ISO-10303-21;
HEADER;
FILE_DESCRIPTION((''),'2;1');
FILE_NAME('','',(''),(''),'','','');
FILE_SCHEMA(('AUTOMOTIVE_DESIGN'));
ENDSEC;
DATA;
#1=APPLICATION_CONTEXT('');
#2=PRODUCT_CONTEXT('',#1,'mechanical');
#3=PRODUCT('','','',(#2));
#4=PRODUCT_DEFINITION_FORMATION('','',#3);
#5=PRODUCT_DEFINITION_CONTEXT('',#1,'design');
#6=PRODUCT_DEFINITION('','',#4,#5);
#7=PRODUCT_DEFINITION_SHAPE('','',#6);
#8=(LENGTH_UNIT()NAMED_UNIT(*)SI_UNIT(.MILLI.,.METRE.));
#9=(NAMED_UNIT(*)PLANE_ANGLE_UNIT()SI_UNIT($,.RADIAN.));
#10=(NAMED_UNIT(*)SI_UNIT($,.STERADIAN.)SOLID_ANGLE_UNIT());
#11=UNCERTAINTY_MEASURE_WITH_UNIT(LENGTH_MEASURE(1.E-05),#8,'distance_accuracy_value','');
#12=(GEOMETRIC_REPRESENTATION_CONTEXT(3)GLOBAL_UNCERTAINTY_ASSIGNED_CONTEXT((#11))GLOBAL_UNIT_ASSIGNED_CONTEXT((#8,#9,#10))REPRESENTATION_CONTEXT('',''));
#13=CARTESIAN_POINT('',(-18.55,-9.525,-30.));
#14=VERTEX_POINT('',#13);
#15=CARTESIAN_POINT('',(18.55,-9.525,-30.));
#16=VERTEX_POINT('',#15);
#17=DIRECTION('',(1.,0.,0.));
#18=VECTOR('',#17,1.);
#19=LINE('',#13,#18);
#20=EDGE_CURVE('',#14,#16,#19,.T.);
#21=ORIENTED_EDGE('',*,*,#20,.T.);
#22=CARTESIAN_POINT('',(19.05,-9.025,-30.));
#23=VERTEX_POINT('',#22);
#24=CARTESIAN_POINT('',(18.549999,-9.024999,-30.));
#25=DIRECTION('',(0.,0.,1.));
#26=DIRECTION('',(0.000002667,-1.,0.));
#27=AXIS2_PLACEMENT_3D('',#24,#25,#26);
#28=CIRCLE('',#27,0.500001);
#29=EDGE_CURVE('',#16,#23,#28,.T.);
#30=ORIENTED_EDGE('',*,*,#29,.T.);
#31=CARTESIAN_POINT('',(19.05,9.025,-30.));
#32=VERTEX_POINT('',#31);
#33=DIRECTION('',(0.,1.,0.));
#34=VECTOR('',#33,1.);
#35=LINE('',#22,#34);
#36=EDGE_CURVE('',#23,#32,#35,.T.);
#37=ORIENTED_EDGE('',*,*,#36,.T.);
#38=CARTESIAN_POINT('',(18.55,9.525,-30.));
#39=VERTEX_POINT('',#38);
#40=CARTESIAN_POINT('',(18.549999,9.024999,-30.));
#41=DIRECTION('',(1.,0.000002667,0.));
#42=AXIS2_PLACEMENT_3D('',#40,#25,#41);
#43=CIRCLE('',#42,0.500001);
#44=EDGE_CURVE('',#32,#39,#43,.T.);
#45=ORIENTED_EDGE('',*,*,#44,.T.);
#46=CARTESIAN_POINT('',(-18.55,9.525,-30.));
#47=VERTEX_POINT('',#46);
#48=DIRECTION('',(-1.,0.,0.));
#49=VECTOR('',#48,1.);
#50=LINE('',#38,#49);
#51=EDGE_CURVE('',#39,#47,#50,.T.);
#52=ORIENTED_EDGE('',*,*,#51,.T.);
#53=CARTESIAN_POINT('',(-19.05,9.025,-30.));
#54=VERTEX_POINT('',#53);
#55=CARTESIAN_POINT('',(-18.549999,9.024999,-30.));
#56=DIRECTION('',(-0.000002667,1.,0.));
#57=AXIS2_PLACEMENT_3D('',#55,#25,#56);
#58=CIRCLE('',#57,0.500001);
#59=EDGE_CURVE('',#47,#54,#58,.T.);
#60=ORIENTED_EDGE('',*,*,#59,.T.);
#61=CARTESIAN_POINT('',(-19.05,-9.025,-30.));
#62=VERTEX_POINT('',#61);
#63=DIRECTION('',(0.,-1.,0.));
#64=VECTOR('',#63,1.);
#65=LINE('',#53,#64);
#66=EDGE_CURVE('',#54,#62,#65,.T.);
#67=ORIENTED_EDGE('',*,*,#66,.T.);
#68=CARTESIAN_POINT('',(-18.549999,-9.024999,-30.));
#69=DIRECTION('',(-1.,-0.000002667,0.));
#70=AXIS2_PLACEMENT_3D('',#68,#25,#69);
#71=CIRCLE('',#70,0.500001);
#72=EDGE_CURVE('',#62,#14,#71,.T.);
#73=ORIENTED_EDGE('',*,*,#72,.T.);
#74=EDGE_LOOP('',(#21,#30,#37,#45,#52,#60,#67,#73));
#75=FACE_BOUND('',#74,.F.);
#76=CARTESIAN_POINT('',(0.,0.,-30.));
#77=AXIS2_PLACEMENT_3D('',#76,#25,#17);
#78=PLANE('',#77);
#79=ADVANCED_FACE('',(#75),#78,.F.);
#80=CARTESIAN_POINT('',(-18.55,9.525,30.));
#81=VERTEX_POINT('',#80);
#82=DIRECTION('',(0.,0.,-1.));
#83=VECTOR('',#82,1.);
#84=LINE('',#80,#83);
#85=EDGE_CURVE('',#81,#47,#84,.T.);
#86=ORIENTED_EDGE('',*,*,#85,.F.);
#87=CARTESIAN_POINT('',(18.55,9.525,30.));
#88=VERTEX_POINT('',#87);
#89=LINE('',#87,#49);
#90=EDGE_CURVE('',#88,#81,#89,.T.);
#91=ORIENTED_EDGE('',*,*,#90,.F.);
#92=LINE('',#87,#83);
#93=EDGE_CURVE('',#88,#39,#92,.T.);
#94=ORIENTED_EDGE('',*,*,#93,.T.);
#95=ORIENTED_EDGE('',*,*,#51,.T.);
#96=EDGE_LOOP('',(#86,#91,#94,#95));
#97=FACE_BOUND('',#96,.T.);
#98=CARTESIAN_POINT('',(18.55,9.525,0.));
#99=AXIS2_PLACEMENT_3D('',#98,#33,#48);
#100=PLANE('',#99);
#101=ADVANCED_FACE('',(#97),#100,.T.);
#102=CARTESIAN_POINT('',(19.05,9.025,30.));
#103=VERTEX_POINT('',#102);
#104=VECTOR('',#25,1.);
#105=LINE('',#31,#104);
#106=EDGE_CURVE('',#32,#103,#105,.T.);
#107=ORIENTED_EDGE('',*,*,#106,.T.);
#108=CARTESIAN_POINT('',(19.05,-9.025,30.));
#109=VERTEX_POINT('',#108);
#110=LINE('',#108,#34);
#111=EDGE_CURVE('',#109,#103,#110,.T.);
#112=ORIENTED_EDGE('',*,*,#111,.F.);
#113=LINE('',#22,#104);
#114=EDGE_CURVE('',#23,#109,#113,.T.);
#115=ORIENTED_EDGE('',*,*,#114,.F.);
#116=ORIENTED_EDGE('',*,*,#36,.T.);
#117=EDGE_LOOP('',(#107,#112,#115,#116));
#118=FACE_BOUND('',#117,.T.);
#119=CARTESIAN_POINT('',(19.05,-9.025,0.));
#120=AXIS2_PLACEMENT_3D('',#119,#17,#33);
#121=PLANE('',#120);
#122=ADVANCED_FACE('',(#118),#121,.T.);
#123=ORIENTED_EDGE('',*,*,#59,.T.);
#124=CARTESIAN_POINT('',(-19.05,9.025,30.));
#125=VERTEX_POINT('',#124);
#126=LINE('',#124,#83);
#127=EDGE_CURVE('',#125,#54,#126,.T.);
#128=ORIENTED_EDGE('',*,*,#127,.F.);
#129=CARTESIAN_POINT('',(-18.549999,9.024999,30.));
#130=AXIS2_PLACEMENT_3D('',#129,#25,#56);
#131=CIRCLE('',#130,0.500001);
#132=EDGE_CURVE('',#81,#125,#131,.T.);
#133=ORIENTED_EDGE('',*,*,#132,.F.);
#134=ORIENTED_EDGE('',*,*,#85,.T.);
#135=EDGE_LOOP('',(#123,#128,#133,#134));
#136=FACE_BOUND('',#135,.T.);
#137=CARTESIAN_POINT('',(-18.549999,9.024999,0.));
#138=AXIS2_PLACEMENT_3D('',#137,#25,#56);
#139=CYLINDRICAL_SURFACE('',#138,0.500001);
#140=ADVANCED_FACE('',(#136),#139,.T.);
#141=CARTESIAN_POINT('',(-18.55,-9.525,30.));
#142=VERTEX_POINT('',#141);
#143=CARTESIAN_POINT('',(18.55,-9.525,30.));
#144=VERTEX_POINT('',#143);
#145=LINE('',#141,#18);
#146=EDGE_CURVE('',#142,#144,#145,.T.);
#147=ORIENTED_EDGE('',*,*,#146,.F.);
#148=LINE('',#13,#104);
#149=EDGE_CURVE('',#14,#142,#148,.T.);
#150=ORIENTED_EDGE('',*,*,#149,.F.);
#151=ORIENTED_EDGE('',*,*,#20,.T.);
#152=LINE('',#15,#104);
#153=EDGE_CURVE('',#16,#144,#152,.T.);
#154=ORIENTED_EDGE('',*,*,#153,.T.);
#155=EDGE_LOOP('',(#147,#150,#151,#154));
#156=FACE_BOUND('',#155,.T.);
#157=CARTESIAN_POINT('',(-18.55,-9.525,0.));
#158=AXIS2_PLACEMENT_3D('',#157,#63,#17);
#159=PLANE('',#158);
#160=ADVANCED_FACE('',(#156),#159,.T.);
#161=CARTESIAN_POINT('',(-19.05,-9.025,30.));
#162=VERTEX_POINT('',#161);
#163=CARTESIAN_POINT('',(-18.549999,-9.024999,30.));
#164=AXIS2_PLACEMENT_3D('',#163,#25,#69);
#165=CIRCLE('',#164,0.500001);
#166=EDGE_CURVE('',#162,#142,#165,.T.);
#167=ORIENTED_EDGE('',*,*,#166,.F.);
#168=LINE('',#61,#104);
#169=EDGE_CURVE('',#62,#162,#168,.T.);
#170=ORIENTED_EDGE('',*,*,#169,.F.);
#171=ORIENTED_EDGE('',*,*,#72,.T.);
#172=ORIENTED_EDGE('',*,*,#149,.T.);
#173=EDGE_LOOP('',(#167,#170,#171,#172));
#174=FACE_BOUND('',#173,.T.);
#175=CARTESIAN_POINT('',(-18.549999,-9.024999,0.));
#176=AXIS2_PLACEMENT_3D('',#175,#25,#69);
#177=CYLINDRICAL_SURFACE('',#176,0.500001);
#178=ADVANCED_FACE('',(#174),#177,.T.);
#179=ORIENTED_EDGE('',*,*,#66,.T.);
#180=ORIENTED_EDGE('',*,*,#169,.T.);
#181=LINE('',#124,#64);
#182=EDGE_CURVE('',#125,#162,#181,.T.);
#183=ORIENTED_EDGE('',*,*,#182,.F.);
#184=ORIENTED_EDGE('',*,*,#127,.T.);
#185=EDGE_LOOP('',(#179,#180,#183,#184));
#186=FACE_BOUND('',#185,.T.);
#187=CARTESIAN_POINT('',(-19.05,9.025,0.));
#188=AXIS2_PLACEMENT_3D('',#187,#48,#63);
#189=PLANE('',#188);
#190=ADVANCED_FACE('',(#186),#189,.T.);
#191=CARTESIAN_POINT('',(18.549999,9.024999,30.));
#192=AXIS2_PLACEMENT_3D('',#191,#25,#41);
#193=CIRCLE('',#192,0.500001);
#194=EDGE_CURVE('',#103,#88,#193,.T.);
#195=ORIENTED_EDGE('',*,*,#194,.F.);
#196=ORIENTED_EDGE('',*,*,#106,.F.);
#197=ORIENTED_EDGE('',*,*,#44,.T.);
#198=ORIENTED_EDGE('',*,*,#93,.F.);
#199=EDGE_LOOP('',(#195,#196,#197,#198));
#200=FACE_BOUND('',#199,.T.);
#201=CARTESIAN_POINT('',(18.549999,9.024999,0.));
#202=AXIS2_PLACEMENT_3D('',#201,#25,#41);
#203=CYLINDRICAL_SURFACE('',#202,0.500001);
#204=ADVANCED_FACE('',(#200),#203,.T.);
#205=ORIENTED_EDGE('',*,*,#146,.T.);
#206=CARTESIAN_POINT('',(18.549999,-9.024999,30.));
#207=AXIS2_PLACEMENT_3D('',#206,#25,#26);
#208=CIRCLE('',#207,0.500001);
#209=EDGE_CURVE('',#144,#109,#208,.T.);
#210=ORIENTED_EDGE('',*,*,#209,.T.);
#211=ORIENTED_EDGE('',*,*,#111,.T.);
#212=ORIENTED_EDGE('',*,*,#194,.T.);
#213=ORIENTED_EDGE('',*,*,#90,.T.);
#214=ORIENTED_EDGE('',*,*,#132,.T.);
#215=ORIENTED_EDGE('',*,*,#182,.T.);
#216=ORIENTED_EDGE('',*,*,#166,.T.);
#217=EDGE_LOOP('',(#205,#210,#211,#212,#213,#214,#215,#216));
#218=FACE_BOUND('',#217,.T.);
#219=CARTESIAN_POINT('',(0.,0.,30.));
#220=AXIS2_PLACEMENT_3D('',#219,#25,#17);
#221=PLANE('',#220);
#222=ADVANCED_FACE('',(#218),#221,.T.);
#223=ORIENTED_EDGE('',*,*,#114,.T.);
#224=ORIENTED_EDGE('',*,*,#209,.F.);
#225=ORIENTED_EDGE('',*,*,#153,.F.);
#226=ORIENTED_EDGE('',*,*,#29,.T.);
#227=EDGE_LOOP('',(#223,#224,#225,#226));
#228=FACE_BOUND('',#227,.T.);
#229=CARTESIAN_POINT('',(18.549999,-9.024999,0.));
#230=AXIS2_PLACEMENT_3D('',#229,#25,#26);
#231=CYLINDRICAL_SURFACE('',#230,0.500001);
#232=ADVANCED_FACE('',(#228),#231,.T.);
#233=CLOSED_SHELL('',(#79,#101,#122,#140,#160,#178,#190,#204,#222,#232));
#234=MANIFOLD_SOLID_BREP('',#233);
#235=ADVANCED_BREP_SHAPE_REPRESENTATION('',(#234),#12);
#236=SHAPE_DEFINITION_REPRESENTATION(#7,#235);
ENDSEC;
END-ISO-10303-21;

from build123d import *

# Parameters (mm, degrees)
PAD_DEPTH = 30


with BuildPart() as part:
    # Sketch → Pad (new body, symmetric)
    with BuildSketch(Plane.XY):
        with BuildLine():
            Line((-19.05, 9.025), (-19.05, -9.025))
            ThreePointArc((-19.05, -9.025), (-18.903553, -9.378553), (-18.55, -9.525))
            Line((-18.55, -9.525), (18.55, -9.525))
            ThreePointArc((18.55, -9.525), (18.903553, -9.378553), (19.05, -9.025))
            Line((19.05, -9.025), (19.05, 9.025))
            ThreePointArc((19.05, 9.025), (18.903553, 9.378553), (18.55, 9.525))
            Line((18.55, 9.525), (-18.55, 9.525))
            ThreePointArc((-18.55, 9.525), (-18.903553, 9.378553), (-19.05, 9.025))
        make_face()
    extrude(amount=PAD_DEPTH, both=True)


solid = part.part
